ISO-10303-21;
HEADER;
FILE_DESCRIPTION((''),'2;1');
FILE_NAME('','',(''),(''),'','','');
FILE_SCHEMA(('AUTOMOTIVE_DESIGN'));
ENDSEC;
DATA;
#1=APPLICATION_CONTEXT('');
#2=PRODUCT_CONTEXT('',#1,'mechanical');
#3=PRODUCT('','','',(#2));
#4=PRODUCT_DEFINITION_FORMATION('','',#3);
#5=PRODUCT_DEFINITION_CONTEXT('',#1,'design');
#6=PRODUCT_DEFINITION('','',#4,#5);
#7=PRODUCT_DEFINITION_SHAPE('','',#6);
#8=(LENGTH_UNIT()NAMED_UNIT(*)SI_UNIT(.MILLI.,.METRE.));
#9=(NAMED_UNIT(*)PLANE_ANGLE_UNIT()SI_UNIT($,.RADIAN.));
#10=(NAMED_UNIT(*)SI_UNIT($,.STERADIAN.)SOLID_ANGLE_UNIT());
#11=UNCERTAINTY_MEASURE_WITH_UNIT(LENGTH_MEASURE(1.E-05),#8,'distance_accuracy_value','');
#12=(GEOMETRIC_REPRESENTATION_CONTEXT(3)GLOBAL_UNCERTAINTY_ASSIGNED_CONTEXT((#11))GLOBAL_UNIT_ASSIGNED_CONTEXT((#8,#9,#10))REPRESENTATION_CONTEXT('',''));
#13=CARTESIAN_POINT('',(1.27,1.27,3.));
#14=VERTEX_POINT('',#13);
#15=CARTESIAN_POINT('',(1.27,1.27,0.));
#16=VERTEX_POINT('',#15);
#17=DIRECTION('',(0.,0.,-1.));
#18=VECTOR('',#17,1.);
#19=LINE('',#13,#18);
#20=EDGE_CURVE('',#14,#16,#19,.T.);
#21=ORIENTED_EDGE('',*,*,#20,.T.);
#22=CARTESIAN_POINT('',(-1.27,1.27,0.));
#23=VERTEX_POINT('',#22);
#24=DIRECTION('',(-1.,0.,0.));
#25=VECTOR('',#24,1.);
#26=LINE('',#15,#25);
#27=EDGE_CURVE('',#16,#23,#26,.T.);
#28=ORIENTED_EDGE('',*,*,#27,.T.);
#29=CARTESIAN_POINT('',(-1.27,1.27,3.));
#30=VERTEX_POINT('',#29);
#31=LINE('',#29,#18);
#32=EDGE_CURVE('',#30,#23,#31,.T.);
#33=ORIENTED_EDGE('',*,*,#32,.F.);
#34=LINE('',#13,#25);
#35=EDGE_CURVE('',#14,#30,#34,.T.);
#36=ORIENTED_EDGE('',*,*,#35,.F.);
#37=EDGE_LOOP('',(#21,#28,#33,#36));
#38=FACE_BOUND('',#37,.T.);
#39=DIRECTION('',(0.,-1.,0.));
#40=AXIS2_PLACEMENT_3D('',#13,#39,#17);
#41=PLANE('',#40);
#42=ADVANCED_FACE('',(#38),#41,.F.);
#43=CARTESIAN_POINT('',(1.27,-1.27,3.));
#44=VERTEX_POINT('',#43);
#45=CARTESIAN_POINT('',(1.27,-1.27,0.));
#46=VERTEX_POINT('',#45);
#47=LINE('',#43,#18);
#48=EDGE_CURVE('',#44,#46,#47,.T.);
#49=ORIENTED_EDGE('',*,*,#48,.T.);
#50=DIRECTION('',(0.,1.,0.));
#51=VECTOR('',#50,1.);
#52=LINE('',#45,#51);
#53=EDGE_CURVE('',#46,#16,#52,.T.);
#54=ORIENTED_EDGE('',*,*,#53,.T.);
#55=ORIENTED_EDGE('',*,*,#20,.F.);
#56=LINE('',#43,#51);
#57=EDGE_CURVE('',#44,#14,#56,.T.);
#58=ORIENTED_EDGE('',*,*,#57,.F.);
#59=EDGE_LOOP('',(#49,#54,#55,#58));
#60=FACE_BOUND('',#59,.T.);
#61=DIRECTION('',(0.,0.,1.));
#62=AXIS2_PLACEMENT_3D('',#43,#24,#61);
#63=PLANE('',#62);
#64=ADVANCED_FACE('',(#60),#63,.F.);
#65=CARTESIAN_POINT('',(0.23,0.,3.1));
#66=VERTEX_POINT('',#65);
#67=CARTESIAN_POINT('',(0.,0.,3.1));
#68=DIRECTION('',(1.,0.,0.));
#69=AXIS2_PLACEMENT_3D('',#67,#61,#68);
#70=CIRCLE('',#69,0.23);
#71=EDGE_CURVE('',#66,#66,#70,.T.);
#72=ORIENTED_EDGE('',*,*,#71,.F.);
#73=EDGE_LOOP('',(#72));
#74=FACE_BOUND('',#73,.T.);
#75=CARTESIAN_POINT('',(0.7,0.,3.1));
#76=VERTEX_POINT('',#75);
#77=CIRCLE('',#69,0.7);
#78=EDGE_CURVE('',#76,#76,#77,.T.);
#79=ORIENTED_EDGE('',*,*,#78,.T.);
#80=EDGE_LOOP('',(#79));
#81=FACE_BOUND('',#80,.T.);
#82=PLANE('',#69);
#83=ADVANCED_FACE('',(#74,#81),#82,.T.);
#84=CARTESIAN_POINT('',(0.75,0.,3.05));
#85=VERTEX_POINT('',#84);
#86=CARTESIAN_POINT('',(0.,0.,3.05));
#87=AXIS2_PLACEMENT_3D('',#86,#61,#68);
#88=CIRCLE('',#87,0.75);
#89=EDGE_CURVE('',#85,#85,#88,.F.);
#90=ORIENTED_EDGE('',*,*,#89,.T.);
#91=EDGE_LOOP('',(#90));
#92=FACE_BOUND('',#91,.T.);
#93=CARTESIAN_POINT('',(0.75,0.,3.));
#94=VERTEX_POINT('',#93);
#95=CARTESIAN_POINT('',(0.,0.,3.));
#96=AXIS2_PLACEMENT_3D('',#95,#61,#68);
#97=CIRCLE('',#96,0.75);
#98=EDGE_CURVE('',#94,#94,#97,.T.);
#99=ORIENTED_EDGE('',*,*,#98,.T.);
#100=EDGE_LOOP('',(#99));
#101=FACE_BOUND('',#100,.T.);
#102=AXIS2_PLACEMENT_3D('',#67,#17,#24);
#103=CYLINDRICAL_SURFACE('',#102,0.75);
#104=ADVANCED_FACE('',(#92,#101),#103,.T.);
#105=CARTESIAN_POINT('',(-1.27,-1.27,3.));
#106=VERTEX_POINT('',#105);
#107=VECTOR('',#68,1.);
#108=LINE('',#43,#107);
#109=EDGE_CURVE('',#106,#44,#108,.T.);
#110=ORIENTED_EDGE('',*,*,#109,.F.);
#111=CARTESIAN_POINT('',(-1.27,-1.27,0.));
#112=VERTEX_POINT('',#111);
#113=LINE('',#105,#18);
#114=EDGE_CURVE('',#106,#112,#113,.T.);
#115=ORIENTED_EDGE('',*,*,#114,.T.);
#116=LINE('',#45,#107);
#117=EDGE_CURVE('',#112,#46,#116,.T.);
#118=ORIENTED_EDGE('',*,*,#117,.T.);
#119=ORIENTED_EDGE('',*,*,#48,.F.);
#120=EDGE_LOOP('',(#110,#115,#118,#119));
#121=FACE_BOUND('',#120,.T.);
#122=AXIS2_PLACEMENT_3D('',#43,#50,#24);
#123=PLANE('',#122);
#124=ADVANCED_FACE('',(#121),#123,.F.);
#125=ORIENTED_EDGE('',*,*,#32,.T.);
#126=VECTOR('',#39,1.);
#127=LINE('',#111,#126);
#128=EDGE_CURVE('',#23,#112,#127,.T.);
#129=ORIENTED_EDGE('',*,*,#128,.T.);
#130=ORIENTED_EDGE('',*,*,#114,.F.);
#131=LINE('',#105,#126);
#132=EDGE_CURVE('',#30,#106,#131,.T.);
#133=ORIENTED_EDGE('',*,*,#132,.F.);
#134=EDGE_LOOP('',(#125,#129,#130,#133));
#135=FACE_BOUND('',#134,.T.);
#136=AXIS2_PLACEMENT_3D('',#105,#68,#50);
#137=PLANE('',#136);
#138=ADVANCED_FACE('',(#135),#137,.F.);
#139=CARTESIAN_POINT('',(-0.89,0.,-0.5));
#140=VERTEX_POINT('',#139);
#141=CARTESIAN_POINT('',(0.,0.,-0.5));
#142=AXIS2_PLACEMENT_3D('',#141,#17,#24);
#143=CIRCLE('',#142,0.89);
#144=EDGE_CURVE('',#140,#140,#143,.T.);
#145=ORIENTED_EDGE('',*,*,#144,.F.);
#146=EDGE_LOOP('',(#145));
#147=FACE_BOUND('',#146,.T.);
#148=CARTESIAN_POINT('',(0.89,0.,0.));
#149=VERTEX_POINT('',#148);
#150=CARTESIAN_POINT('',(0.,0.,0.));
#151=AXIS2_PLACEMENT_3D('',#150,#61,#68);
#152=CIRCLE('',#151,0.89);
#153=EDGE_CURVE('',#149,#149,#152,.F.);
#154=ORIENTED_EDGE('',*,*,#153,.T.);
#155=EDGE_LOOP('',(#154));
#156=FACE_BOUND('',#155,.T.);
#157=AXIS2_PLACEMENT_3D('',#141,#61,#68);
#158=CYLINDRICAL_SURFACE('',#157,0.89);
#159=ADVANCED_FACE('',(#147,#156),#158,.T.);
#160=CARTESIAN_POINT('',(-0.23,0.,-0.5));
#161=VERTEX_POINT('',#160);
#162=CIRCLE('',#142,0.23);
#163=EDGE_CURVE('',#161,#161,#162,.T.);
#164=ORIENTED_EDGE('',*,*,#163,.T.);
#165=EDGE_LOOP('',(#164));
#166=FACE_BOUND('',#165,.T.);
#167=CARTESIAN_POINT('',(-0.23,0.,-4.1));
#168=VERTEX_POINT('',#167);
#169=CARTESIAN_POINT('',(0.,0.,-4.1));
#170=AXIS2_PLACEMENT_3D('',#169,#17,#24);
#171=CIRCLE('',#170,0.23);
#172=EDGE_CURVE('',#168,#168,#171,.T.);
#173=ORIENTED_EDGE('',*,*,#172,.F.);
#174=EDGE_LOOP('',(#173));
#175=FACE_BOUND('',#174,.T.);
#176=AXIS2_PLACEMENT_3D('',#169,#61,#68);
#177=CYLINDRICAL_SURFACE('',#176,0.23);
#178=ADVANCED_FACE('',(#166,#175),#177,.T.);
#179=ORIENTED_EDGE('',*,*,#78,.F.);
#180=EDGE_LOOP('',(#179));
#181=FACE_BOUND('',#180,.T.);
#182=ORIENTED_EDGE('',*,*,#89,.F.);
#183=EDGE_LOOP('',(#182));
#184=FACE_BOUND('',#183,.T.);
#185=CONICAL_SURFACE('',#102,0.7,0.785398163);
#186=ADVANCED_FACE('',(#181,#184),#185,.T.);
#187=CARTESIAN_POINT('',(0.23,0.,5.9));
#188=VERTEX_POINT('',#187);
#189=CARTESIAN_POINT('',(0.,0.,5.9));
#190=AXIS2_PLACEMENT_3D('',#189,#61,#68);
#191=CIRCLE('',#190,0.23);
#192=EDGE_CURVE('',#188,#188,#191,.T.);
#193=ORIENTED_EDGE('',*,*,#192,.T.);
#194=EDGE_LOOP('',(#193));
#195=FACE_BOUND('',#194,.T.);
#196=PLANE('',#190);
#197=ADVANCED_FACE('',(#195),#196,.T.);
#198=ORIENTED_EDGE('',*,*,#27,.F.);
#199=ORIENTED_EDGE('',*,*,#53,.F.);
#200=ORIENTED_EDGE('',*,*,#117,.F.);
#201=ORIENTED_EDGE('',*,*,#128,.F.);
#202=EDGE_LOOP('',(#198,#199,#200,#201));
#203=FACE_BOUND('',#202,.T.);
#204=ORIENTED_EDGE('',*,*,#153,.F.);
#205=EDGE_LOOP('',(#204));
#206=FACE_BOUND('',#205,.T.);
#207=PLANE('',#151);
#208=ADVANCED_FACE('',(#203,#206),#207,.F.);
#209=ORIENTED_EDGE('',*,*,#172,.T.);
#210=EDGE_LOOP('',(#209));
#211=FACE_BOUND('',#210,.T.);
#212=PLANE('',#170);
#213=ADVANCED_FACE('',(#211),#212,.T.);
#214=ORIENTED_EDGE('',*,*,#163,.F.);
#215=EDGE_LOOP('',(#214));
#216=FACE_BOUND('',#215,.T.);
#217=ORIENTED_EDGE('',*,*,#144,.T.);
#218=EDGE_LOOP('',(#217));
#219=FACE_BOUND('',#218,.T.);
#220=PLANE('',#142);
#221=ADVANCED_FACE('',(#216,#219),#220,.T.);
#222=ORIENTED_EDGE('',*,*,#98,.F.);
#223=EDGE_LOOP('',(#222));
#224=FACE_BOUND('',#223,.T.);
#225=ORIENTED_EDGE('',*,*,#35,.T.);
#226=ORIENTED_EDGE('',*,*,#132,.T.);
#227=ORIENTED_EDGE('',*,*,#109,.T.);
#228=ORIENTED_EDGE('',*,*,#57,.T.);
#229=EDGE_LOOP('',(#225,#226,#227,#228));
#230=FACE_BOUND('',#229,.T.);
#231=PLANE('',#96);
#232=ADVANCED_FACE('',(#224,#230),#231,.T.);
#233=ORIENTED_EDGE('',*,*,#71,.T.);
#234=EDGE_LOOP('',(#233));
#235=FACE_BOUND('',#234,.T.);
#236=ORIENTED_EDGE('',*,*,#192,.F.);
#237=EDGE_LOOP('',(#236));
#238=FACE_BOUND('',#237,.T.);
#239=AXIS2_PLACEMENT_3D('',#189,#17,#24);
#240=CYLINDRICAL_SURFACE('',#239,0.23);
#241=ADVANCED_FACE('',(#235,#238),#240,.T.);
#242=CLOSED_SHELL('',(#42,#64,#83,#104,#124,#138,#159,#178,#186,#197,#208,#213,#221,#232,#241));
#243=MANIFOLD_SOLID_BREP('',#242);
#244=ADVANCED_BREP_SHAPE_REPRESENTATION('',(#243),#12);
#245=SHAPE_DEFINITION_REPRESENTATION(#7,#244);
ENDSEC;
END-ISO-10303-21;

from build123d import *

# Parameters (mm, degrees)
SKETCH1_W           = 2.54
SKETCH1_H           = 2.54
BOSS_EXTRUDE1_DEPTH = 3
SKETCH2_R           = 0.23
BOSS_EXTRUDE2_DEPTH = 4.1
SKETCH3_R           = 0.89
BOSS_EXTRUDE3_DEPTH = 0.5
SKETCH4_R           = 0.23
BOSS_EXTRUDE4_DEPTH = 2.9
SKETCH5_R           = 0.75
BOSS_EXTRUDE5_DEPTH = 0.1
CHAMFER1_SIZE       = 0.05


with BuildPart() as part:
    # Sketch1 → Boss-Extrude1 (new body)
    with BuildSketch(Plane.XY):
        Rectangle(SKETCH1_W, SKETCH1_H)
    extrude(amount=BOSS_EXTRUDE1_DEPTH)

    # Sketch2 → Boss-Extrude2 (add)
    with BuildSketch(Plane(origin=(0, 0, 0), x_dir=(-1, 0, 0), z_dir=(0, 0, -1))):
        Circle(SKETCH2_R)
    extrude(amount=BOSS_EXTRUDE2_DEPTH)

    # Sketch3 → Boss-Extrude3 (add)
    with BuildSketch(Plane(origin=(0, 0, 0), x_dir=(-1, 0, 0), z_dir=(0, 0, -1))):
        Circle(SKETCH3_R)
    extrude(amount=BOSS_EXTRUDE3_DEPTH)

    # Sketch4 → Boss-Extrude4 (add)
    with BuildSketch(Plane.XY.offset(3)):
        Circle(SKETCH4_R)
    extrude(amount=BOSS_EXTRUDE4_DEPTH)

    # Sketch5 → Boss-Extrude5 (add)
    with BuildSketch(Plane.XY.offset(3)):
        Circle(SKETCH5_R)
    extrude(amount=BOSS_EXTRUDE5_DEPTH)

    # Chamfer1
    chamfer1_edges = [part.edges().sort_by_distance(p)[0] for p in [
        (-0.75, 0, 3.1),
    ]]
    chamfer(chamfer1_edges, length=CHAMFER1_SIZE)


solid = part.part
